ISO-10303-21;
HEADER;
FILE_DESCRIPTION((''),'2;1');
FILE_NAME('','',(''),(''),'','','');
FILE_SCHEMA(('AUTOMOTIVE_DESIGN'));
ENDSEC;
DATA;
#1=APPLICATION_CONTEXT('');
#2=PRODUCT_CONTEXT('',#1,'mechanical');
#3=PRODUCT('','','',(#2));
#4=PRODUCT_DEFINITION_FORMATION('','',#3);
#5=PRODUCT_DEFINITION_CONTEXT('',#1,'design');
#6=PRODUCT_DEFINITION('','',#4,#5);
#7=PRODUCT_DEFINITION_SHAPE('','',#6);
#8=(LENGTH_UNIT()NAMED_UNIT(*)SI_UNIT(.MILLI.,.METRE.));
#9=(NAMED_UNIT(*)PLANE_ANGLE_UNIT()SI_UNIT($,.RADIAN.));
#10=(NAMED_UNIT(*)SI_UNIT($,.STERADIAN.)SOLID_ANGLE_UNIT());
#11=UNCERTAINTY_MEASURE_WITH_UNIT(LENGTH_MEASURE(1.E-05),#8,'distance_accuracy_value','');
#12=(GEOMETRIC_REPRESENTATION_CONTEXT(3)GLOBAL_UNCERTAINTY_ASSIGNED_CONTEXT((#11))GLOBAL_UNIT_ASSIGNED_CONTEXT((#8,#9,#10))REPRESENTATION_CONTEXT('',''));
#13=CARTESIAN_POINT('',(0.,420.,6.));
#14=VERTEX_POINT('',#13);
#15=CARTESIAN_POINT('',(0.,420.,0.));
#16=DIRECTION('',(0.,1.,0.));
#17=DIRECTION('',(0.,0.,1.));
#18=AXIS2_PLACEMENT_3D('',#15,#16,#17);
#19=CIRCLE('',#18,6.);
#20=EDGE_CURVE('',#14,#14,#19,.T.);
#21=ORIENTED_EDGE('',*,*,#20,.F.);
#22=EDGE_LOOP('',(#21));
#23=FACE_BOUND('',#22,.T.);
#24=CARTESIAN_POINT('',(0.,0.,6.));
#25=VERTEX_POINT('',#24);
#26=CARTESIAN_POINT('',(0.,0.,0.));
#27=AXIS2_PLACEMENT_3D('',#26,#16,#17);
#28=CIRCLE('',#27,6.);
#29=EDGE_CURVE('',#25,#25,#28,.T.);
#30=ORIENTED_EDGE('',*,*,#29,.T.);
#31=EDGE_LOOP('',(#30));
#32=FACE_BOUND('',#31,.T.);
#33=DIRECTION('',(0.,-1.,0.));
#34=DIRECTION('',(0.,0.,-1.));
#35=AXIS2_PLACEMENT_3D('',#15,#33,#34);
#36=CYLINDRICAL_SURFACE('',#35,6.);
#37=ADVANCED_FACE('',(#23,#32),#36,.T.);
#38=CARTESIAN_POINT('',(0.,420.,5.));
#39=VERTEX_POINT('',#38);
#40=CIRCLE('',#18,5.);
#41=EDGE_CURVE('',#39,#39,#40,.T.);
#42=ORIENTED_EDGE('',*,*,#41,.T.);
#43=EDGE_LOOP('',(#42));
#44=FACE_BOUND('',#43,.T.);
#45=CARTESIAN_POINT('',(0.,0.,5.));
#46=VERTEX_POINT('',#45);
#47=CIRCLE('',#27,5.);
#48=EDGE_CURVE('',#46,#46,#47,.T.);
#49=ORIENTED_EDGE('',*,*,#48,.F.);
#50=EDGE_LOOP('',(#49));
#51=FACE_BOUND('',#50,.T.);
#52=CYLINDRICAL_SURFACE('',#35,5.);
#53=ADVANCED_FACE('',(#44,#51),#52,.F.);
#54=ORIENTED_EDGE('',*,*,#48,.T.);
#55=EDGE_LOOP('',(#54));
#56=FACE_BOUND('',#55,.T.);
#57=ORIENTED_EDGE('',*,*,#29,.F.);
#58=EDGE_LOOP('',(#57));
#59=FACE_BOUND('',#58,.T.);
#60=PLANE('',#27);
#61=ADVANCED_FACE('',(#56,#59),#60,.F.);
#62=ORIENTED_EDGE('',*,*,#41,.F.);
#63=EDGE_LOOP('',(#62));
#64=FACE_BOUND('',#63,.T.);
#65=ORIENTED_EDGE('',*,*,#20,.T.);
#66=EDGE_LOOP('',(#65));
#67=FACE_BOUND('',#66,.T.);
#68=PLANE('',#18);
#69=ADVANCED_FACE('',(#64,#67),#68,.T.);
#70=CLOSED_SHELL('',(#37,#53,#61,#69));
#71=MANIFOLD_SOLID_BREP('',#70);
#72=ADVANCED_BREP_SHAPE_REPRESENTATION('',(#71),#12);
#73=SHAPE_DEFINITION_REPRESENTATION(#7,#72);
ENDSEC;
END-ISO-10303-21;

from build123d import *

# Parameters (mm, degrees)
SKETCH3_R           = 6
SKETCH3_R_2         = 5
BOSS_EXTRUDE2_DEPTH = 420


with BuildPart() as part:
    # Sketch3 → Boss-Extrude2 (new body)
    with BuildSketch(Plane(origin=(0, 0, -4.93715546), x_dir=(1, 0, 0), z_dir=(0, 1, 0))):
        with Locations((0, -4.93715546)):
            Circle(SKETCH3_R)
        with Locations((0, -4.93715546)):
            Circle(SKETCH3_R_2, mode=Mode.SUBTRACT)
    extrude(amount=BOSS_EXTRUDE2_DEPTH)


solid = part.part
